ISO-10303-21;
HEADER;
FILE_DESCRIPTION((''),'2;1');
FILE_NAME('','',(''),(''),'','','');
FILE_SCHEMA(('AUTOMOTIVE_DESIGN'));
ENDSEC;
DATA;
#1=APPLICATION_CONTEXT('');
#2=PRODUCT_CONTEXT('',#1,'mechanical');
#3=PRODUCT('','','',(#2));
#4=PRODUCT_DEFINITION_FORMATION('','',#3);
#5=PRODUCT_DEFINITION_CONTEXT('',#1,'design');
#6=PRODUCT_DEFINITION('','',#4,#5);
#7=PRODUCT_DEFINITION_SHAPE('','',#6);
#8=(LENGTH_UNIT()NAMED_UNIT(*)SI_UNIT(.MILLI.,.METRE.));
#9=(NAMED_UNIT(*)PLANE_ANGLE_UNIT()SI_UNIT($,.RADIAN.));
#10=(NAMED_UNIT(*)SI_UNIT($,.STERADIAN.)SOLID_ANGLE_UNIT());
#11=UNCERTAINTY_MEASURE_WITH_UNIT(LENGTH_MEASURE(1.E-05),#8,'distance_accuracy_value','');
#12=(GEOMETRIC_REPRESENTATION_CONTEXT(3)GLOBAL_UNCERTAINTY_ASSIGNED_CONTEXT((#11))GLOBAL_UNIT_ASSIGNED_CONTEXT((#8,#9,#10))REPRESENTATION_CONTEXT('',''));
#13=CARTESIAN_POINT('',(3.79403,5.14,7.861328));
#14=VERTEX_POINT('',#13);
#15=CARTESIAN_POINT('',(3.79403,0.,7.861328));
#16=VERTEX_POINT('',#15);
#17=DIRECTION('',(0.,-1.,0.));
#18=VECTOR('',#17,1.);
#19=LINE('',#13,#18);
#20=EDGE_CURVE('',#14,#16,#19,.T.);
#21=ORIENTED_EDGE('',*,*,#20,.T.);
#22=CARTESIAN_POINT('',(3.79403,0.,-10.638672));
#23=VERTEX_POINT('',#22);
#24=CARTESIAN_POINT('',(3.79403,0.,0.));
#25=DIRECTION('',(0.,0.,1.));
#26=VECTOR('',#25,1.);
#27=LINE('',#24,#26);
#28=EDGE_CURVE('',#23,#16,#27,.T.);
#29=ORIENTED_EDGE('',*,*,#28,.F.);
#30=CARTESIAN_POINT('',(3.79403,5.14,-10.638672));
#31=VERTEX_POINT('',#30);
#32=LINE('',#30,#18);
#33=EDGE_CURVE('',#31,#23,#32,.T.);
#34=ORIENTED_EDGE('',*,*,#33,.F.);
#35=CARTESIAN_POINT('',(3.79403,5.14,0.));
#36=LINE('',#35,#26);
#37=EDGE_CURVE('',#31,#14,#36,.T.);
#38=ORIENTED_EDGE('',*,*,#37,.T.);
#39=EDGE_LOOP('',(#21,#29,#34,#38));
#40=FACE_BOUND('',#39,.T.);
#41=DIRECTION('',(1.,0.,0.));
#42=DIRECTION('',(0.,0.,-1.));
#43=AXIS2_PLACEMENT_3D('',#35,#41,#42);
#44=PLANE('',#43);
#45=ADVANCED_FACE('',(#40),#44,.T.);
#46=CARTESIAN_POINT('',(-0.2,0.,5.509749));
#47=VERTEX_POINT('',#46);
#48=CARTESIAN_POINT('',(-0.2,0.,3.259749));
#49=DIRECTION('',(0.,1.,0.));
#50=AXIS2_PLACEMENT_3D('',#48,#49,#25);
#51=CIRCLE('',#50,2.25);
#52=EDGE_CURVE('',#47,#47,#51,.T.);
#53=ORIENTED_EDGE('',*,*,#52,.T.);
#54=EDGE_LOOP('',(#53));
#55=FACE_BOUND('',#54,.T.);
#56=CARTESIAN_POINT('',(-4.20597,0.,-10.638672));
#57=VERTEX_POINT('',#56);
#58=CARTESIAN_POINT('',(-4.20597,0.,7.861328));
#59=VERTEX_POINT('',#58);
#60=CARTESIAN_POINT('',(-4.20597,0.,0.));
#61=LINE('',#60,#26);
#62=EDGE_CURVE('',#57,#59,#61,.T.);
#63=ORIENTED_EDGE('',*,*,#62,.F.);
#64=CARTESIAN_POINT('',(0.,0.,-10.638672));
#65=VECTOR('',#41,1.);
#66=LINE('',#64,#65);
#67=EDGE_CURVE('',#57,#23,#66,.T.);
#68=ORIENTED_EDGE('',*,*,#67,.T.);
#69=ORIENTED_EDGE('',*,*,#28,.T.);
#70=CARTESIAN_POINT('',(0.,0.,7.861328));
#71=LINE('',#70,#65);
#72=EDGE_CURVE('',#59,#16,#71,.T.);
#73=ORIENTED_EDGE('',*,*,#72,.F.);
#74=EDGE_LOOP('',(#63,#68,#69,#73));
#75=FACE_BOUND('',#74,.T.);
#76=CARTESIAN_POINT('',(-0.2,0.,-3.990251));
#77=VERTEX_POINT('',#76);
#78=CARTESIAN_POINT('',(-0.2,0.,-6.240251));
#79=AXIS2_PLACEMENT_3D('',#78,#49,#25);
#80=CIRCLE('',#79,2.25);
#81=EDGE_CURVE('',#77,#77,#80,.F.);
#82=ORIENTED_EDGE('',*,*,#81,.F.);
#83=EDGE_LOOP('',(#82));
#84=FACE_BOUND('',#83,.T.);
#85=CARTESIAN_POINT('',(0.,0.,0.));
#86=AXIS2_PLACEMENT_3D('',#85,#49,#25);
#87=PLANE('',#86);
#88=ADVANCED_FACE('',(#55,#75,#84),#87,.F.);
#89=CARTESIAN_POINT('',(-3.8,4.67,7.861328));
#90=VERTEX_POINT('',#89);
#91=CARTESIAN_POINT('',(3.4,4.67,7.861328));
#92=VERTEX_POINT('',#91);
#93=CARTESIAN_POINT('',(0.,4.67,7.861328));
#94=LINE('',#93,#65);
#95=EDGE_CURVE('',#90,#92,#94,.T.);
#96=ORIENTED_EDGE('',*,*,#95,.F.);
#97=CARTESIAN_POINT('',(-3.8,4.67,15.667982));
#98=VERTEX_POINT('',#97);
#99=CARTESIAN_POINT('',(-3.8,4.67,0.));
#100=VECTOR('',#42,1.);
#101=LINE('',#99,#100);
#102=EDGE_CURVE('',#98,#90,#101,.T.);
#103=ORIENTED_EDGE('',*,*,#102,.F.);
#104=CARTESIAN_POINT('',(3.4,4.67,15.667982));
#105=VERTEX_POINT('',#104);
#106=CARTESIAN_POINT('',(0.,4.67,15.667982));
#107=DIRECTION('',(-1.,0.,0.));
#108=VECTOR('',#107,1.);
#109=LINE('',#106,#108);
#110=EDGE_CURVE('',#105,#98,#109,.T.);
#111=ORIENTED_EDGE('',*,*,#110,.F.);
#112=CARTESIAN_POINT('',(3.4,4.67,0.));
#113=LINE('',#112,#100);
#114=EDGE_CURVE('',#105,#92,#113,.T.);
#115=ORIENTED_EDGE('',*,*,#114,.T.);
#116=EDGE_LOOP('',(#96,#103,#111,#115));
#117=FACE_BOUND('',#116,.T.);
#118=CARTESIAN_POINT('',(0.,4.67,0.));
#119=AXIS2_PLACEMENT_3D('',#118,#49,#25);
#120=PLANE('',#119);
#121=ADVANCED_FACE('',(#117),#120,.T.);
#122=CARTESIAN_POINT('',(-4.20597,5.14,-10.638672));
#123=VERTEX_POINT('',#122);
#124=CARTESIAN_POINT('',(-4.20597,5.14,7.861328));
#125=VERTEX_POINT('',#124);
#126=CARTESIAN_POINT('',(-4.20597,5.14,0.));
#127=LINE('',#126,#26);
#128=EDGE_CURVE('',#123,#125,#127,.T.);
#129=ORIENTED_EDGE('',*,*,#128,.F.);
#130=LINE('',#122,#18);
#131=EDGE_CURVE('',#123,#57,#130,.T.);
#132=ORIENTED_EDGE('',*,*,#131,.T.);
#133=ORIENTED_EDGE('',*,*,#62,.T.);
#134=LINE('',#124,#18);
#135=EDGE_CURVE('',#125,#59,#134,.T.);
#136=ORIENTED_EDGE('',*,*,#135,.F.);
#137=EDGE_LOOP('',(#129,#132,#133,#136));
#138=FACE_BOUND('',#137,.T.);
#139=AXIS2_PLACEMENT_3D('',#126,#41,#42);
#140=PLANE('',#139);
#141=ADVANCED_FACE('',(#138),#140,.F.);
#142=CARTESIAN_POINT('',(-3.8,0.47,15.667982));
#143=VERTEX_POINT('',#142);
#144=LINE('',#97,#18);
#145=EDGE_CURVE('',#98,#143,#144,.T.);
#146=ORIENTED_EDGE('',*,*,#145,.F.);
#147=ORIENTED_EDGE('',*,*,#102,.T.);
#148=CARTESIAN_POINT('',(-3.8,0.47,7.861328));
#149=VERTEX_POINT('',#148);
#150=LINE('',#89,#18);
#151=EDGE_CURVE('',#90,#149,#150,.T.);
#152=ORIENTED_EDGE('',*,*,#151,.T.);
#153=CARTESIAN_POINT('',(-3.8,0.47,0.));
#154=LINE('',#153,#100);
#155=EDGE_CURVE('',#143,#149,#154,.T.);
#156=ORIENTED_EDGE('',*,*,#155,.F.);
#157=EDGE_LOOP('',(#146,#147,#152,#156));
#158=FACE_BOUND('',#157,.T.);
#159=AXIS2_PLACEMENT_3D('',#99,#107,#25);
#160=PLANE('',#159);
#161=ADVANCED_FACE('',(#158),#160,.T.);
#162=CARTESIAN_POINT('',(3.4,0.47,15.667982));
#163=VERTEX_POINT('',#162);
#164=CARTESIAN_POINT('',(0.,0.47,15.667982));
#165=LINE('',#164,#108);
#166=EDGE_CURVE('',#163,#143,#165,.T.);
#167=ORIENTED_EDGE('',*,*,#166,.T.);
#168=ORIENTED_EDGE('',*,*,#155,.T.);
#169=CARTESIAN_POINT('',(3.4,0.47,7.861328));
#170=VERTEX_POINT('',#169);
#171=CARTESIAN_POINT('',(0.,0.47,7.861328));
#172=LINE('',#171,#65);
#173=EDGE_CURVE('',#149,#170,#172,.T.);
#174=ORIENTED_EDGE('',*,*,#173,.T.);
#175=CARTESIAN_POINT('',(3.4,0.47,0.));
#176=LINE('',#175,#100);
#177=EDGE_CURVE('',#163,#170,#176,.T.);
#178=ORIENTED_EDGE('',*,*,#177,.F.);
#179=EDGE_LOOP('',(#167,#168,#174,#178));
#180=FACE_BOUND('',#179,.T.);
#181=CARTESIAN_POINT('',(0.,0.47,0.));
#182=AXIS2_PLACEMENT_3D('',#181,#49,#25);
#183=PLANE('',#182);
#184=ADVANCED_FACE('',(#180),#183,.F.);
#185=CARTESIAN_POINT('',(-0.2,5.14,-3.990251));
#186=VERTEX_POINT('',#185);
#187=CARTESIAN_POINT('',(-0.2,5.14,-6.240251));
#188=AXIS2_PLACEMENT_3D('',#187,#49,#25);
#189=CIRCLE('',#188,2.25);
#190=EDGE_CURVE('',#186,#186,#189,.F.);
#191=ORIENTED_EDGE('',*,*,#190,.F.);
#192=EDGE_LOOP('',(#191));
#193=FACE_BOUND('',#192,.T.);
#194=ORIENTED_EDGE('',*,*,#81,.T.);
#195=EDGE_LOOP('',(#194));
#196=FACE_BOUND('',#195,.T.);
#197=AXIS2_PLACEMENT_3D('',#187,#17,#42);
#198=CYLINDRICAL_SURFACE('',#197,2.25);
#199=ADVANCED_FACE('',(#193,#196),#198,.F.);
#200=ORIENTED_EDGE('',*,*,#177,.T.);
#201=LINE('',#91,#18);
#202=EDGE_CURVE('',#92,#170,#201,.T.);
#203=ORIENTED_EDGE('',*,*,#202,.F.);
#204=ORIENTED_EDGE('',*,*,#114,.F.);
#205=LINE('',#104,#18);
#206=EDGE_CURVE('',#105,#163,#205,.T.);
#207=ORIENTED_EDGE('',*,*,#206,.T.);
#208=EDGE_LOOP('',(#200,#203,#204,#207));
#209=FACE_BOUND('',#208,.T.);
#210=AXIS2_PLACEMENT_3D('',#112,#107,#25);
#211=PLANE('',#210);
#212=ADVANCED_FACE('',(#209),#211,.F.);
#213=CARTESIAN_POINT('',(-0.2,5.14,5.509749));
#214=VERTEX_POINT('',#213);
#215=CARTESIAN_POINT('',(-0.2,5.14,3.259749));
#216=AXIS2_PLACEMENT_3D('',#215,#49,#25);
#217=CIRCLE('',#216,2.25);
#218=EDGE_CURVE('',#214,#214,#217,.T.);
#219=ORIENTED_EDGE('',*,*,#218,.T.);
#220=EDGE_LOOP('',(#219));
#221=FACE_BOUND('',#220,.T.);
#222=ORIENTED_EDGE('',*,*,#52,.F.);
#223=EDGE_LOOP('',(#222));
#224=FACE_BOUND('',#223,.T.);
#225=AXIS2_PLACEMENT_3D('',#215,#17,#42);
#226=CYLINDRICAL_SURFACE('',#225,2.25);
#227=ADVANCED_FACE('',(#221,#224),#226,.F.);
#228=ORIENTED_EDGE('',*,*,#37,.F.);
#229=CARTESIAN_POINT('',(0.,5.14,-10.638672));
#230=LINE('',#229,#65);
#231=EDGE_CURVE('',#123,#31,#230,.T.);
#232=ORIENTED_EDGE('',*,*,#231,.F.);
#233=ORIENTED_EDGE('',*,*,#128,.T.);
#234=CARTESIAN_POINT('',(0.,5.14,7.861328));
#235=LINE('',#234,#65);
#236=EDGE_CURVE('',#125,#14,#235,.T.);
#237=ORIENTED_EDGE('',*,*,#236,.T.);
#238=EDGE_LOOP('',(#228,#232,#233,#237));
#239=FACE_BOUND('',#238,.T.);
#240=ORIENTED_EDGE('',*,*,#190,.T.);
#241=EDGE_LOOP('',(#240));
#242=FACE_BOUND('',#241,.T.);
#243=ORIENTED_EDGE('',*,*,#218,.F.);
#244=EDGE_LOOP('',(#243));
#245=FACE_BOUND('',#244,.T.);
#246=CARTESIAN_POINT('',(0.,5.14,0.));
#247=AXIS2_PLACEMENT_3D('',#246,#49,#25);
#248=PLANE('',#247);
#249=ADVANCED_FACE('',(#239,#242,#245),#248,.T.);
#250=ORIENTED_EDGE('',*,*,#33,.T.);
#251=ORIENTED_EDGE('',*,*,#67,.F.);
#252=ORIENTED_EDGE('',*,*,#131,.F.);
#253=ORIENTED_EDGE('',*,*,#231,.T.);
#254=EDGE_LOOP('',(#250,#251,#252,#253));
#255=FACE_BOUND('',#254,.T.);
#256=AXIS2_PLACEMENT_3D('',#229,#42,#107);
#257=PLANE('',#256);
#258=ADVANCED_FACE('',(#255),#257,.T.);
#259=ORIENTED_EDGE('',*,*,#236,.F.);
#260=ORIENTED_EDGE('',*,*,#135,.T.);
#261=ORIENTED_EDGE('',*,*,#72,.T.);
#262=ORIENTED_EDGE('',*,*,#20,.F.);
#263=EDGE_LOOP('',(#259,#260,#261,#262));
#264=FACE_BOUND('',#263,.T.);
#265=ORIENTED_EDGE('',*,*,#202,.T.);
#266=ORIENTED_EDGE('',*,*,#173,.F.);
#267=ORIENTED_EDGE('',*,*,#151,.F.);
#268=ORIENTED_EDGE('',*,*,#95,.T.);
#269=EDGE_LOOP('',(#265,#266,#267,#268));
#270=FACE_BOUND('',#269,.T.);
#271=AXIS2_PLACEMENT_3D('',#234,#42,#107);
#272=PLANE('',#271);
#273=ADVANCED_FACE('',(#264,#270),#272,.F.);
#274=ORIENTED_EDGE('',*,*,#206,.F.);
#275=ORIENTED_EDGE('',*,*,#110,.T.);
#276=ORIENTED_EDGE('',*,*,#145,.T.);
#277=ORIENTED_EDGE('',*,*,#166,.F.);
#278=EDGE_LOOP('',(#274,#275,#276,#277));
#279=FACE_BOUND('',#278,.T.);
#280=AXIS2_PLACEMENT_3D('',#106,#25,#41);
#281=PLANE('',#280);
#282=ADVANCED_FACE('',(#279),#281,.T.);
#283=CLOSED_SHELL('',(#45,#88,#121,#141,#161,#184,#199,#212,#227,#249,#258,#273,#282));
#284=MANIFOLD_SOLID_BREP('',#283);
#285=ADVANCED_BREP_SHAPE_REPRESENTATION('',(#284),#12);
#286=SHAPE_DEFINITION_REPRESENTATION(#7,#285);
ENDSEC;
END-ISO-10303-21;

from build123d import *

# Parameters (mm, degrees)
SKETCH1_R           = 2.25
BOSS_EXTRUDE1_DEPTH = 5.14
BOSS_EXTRUDE2_START = 0.47
SKETCH1_4_W         = 7.2
SKETCH1_4_H         = 7.806654437
BOSS_EXTRUDE2_DEPTH = 4.2


with BuildPart() as part:
    # Sketch1 → Boss-Extrude1 (new body)
    with BuildSketch(Plane(origin=(0, 0, 0), x_dir=(1, 0, 0), z_dir=(0, 1, 0))):
        Polygon((3.794030202, 10.638672352), (-4.205969798, 10.638672352), (-4.205969798, -7.861327648), (-3.8, -7.861327648), (3.4, -7.861327648), (3.794030202, -7.861327648), align=None)
        with Locations((-0.2, -3.25974881)):
            Circle(SKETCH1_R, mode=Mode.SUBTRACT)
        with Locations((-0.2, 6.24025119)):
            Circle(SKETCH1_R, mode=Mode.SUBTRACT)
    extrude(amount=BOSS_EXTRUDE1_DEPTH)

    # Sketch1<4> → Boss-Extrude2 (add)
    with BuildSketch(Plane(origin=(0, 0, 0), x_dir=(1, 0, 0), z_dir=(0, 1, 0)).offset(BOSS_EXTRUDE2_START)):
        with Locations((-0.2, -11.764654867)):
            Rectangle(SKETCH1_4_W, SKETCH1_4_H)
    extrude(amount=BOSS_EXTRUDE2_DEPTH)


solid = part.part
